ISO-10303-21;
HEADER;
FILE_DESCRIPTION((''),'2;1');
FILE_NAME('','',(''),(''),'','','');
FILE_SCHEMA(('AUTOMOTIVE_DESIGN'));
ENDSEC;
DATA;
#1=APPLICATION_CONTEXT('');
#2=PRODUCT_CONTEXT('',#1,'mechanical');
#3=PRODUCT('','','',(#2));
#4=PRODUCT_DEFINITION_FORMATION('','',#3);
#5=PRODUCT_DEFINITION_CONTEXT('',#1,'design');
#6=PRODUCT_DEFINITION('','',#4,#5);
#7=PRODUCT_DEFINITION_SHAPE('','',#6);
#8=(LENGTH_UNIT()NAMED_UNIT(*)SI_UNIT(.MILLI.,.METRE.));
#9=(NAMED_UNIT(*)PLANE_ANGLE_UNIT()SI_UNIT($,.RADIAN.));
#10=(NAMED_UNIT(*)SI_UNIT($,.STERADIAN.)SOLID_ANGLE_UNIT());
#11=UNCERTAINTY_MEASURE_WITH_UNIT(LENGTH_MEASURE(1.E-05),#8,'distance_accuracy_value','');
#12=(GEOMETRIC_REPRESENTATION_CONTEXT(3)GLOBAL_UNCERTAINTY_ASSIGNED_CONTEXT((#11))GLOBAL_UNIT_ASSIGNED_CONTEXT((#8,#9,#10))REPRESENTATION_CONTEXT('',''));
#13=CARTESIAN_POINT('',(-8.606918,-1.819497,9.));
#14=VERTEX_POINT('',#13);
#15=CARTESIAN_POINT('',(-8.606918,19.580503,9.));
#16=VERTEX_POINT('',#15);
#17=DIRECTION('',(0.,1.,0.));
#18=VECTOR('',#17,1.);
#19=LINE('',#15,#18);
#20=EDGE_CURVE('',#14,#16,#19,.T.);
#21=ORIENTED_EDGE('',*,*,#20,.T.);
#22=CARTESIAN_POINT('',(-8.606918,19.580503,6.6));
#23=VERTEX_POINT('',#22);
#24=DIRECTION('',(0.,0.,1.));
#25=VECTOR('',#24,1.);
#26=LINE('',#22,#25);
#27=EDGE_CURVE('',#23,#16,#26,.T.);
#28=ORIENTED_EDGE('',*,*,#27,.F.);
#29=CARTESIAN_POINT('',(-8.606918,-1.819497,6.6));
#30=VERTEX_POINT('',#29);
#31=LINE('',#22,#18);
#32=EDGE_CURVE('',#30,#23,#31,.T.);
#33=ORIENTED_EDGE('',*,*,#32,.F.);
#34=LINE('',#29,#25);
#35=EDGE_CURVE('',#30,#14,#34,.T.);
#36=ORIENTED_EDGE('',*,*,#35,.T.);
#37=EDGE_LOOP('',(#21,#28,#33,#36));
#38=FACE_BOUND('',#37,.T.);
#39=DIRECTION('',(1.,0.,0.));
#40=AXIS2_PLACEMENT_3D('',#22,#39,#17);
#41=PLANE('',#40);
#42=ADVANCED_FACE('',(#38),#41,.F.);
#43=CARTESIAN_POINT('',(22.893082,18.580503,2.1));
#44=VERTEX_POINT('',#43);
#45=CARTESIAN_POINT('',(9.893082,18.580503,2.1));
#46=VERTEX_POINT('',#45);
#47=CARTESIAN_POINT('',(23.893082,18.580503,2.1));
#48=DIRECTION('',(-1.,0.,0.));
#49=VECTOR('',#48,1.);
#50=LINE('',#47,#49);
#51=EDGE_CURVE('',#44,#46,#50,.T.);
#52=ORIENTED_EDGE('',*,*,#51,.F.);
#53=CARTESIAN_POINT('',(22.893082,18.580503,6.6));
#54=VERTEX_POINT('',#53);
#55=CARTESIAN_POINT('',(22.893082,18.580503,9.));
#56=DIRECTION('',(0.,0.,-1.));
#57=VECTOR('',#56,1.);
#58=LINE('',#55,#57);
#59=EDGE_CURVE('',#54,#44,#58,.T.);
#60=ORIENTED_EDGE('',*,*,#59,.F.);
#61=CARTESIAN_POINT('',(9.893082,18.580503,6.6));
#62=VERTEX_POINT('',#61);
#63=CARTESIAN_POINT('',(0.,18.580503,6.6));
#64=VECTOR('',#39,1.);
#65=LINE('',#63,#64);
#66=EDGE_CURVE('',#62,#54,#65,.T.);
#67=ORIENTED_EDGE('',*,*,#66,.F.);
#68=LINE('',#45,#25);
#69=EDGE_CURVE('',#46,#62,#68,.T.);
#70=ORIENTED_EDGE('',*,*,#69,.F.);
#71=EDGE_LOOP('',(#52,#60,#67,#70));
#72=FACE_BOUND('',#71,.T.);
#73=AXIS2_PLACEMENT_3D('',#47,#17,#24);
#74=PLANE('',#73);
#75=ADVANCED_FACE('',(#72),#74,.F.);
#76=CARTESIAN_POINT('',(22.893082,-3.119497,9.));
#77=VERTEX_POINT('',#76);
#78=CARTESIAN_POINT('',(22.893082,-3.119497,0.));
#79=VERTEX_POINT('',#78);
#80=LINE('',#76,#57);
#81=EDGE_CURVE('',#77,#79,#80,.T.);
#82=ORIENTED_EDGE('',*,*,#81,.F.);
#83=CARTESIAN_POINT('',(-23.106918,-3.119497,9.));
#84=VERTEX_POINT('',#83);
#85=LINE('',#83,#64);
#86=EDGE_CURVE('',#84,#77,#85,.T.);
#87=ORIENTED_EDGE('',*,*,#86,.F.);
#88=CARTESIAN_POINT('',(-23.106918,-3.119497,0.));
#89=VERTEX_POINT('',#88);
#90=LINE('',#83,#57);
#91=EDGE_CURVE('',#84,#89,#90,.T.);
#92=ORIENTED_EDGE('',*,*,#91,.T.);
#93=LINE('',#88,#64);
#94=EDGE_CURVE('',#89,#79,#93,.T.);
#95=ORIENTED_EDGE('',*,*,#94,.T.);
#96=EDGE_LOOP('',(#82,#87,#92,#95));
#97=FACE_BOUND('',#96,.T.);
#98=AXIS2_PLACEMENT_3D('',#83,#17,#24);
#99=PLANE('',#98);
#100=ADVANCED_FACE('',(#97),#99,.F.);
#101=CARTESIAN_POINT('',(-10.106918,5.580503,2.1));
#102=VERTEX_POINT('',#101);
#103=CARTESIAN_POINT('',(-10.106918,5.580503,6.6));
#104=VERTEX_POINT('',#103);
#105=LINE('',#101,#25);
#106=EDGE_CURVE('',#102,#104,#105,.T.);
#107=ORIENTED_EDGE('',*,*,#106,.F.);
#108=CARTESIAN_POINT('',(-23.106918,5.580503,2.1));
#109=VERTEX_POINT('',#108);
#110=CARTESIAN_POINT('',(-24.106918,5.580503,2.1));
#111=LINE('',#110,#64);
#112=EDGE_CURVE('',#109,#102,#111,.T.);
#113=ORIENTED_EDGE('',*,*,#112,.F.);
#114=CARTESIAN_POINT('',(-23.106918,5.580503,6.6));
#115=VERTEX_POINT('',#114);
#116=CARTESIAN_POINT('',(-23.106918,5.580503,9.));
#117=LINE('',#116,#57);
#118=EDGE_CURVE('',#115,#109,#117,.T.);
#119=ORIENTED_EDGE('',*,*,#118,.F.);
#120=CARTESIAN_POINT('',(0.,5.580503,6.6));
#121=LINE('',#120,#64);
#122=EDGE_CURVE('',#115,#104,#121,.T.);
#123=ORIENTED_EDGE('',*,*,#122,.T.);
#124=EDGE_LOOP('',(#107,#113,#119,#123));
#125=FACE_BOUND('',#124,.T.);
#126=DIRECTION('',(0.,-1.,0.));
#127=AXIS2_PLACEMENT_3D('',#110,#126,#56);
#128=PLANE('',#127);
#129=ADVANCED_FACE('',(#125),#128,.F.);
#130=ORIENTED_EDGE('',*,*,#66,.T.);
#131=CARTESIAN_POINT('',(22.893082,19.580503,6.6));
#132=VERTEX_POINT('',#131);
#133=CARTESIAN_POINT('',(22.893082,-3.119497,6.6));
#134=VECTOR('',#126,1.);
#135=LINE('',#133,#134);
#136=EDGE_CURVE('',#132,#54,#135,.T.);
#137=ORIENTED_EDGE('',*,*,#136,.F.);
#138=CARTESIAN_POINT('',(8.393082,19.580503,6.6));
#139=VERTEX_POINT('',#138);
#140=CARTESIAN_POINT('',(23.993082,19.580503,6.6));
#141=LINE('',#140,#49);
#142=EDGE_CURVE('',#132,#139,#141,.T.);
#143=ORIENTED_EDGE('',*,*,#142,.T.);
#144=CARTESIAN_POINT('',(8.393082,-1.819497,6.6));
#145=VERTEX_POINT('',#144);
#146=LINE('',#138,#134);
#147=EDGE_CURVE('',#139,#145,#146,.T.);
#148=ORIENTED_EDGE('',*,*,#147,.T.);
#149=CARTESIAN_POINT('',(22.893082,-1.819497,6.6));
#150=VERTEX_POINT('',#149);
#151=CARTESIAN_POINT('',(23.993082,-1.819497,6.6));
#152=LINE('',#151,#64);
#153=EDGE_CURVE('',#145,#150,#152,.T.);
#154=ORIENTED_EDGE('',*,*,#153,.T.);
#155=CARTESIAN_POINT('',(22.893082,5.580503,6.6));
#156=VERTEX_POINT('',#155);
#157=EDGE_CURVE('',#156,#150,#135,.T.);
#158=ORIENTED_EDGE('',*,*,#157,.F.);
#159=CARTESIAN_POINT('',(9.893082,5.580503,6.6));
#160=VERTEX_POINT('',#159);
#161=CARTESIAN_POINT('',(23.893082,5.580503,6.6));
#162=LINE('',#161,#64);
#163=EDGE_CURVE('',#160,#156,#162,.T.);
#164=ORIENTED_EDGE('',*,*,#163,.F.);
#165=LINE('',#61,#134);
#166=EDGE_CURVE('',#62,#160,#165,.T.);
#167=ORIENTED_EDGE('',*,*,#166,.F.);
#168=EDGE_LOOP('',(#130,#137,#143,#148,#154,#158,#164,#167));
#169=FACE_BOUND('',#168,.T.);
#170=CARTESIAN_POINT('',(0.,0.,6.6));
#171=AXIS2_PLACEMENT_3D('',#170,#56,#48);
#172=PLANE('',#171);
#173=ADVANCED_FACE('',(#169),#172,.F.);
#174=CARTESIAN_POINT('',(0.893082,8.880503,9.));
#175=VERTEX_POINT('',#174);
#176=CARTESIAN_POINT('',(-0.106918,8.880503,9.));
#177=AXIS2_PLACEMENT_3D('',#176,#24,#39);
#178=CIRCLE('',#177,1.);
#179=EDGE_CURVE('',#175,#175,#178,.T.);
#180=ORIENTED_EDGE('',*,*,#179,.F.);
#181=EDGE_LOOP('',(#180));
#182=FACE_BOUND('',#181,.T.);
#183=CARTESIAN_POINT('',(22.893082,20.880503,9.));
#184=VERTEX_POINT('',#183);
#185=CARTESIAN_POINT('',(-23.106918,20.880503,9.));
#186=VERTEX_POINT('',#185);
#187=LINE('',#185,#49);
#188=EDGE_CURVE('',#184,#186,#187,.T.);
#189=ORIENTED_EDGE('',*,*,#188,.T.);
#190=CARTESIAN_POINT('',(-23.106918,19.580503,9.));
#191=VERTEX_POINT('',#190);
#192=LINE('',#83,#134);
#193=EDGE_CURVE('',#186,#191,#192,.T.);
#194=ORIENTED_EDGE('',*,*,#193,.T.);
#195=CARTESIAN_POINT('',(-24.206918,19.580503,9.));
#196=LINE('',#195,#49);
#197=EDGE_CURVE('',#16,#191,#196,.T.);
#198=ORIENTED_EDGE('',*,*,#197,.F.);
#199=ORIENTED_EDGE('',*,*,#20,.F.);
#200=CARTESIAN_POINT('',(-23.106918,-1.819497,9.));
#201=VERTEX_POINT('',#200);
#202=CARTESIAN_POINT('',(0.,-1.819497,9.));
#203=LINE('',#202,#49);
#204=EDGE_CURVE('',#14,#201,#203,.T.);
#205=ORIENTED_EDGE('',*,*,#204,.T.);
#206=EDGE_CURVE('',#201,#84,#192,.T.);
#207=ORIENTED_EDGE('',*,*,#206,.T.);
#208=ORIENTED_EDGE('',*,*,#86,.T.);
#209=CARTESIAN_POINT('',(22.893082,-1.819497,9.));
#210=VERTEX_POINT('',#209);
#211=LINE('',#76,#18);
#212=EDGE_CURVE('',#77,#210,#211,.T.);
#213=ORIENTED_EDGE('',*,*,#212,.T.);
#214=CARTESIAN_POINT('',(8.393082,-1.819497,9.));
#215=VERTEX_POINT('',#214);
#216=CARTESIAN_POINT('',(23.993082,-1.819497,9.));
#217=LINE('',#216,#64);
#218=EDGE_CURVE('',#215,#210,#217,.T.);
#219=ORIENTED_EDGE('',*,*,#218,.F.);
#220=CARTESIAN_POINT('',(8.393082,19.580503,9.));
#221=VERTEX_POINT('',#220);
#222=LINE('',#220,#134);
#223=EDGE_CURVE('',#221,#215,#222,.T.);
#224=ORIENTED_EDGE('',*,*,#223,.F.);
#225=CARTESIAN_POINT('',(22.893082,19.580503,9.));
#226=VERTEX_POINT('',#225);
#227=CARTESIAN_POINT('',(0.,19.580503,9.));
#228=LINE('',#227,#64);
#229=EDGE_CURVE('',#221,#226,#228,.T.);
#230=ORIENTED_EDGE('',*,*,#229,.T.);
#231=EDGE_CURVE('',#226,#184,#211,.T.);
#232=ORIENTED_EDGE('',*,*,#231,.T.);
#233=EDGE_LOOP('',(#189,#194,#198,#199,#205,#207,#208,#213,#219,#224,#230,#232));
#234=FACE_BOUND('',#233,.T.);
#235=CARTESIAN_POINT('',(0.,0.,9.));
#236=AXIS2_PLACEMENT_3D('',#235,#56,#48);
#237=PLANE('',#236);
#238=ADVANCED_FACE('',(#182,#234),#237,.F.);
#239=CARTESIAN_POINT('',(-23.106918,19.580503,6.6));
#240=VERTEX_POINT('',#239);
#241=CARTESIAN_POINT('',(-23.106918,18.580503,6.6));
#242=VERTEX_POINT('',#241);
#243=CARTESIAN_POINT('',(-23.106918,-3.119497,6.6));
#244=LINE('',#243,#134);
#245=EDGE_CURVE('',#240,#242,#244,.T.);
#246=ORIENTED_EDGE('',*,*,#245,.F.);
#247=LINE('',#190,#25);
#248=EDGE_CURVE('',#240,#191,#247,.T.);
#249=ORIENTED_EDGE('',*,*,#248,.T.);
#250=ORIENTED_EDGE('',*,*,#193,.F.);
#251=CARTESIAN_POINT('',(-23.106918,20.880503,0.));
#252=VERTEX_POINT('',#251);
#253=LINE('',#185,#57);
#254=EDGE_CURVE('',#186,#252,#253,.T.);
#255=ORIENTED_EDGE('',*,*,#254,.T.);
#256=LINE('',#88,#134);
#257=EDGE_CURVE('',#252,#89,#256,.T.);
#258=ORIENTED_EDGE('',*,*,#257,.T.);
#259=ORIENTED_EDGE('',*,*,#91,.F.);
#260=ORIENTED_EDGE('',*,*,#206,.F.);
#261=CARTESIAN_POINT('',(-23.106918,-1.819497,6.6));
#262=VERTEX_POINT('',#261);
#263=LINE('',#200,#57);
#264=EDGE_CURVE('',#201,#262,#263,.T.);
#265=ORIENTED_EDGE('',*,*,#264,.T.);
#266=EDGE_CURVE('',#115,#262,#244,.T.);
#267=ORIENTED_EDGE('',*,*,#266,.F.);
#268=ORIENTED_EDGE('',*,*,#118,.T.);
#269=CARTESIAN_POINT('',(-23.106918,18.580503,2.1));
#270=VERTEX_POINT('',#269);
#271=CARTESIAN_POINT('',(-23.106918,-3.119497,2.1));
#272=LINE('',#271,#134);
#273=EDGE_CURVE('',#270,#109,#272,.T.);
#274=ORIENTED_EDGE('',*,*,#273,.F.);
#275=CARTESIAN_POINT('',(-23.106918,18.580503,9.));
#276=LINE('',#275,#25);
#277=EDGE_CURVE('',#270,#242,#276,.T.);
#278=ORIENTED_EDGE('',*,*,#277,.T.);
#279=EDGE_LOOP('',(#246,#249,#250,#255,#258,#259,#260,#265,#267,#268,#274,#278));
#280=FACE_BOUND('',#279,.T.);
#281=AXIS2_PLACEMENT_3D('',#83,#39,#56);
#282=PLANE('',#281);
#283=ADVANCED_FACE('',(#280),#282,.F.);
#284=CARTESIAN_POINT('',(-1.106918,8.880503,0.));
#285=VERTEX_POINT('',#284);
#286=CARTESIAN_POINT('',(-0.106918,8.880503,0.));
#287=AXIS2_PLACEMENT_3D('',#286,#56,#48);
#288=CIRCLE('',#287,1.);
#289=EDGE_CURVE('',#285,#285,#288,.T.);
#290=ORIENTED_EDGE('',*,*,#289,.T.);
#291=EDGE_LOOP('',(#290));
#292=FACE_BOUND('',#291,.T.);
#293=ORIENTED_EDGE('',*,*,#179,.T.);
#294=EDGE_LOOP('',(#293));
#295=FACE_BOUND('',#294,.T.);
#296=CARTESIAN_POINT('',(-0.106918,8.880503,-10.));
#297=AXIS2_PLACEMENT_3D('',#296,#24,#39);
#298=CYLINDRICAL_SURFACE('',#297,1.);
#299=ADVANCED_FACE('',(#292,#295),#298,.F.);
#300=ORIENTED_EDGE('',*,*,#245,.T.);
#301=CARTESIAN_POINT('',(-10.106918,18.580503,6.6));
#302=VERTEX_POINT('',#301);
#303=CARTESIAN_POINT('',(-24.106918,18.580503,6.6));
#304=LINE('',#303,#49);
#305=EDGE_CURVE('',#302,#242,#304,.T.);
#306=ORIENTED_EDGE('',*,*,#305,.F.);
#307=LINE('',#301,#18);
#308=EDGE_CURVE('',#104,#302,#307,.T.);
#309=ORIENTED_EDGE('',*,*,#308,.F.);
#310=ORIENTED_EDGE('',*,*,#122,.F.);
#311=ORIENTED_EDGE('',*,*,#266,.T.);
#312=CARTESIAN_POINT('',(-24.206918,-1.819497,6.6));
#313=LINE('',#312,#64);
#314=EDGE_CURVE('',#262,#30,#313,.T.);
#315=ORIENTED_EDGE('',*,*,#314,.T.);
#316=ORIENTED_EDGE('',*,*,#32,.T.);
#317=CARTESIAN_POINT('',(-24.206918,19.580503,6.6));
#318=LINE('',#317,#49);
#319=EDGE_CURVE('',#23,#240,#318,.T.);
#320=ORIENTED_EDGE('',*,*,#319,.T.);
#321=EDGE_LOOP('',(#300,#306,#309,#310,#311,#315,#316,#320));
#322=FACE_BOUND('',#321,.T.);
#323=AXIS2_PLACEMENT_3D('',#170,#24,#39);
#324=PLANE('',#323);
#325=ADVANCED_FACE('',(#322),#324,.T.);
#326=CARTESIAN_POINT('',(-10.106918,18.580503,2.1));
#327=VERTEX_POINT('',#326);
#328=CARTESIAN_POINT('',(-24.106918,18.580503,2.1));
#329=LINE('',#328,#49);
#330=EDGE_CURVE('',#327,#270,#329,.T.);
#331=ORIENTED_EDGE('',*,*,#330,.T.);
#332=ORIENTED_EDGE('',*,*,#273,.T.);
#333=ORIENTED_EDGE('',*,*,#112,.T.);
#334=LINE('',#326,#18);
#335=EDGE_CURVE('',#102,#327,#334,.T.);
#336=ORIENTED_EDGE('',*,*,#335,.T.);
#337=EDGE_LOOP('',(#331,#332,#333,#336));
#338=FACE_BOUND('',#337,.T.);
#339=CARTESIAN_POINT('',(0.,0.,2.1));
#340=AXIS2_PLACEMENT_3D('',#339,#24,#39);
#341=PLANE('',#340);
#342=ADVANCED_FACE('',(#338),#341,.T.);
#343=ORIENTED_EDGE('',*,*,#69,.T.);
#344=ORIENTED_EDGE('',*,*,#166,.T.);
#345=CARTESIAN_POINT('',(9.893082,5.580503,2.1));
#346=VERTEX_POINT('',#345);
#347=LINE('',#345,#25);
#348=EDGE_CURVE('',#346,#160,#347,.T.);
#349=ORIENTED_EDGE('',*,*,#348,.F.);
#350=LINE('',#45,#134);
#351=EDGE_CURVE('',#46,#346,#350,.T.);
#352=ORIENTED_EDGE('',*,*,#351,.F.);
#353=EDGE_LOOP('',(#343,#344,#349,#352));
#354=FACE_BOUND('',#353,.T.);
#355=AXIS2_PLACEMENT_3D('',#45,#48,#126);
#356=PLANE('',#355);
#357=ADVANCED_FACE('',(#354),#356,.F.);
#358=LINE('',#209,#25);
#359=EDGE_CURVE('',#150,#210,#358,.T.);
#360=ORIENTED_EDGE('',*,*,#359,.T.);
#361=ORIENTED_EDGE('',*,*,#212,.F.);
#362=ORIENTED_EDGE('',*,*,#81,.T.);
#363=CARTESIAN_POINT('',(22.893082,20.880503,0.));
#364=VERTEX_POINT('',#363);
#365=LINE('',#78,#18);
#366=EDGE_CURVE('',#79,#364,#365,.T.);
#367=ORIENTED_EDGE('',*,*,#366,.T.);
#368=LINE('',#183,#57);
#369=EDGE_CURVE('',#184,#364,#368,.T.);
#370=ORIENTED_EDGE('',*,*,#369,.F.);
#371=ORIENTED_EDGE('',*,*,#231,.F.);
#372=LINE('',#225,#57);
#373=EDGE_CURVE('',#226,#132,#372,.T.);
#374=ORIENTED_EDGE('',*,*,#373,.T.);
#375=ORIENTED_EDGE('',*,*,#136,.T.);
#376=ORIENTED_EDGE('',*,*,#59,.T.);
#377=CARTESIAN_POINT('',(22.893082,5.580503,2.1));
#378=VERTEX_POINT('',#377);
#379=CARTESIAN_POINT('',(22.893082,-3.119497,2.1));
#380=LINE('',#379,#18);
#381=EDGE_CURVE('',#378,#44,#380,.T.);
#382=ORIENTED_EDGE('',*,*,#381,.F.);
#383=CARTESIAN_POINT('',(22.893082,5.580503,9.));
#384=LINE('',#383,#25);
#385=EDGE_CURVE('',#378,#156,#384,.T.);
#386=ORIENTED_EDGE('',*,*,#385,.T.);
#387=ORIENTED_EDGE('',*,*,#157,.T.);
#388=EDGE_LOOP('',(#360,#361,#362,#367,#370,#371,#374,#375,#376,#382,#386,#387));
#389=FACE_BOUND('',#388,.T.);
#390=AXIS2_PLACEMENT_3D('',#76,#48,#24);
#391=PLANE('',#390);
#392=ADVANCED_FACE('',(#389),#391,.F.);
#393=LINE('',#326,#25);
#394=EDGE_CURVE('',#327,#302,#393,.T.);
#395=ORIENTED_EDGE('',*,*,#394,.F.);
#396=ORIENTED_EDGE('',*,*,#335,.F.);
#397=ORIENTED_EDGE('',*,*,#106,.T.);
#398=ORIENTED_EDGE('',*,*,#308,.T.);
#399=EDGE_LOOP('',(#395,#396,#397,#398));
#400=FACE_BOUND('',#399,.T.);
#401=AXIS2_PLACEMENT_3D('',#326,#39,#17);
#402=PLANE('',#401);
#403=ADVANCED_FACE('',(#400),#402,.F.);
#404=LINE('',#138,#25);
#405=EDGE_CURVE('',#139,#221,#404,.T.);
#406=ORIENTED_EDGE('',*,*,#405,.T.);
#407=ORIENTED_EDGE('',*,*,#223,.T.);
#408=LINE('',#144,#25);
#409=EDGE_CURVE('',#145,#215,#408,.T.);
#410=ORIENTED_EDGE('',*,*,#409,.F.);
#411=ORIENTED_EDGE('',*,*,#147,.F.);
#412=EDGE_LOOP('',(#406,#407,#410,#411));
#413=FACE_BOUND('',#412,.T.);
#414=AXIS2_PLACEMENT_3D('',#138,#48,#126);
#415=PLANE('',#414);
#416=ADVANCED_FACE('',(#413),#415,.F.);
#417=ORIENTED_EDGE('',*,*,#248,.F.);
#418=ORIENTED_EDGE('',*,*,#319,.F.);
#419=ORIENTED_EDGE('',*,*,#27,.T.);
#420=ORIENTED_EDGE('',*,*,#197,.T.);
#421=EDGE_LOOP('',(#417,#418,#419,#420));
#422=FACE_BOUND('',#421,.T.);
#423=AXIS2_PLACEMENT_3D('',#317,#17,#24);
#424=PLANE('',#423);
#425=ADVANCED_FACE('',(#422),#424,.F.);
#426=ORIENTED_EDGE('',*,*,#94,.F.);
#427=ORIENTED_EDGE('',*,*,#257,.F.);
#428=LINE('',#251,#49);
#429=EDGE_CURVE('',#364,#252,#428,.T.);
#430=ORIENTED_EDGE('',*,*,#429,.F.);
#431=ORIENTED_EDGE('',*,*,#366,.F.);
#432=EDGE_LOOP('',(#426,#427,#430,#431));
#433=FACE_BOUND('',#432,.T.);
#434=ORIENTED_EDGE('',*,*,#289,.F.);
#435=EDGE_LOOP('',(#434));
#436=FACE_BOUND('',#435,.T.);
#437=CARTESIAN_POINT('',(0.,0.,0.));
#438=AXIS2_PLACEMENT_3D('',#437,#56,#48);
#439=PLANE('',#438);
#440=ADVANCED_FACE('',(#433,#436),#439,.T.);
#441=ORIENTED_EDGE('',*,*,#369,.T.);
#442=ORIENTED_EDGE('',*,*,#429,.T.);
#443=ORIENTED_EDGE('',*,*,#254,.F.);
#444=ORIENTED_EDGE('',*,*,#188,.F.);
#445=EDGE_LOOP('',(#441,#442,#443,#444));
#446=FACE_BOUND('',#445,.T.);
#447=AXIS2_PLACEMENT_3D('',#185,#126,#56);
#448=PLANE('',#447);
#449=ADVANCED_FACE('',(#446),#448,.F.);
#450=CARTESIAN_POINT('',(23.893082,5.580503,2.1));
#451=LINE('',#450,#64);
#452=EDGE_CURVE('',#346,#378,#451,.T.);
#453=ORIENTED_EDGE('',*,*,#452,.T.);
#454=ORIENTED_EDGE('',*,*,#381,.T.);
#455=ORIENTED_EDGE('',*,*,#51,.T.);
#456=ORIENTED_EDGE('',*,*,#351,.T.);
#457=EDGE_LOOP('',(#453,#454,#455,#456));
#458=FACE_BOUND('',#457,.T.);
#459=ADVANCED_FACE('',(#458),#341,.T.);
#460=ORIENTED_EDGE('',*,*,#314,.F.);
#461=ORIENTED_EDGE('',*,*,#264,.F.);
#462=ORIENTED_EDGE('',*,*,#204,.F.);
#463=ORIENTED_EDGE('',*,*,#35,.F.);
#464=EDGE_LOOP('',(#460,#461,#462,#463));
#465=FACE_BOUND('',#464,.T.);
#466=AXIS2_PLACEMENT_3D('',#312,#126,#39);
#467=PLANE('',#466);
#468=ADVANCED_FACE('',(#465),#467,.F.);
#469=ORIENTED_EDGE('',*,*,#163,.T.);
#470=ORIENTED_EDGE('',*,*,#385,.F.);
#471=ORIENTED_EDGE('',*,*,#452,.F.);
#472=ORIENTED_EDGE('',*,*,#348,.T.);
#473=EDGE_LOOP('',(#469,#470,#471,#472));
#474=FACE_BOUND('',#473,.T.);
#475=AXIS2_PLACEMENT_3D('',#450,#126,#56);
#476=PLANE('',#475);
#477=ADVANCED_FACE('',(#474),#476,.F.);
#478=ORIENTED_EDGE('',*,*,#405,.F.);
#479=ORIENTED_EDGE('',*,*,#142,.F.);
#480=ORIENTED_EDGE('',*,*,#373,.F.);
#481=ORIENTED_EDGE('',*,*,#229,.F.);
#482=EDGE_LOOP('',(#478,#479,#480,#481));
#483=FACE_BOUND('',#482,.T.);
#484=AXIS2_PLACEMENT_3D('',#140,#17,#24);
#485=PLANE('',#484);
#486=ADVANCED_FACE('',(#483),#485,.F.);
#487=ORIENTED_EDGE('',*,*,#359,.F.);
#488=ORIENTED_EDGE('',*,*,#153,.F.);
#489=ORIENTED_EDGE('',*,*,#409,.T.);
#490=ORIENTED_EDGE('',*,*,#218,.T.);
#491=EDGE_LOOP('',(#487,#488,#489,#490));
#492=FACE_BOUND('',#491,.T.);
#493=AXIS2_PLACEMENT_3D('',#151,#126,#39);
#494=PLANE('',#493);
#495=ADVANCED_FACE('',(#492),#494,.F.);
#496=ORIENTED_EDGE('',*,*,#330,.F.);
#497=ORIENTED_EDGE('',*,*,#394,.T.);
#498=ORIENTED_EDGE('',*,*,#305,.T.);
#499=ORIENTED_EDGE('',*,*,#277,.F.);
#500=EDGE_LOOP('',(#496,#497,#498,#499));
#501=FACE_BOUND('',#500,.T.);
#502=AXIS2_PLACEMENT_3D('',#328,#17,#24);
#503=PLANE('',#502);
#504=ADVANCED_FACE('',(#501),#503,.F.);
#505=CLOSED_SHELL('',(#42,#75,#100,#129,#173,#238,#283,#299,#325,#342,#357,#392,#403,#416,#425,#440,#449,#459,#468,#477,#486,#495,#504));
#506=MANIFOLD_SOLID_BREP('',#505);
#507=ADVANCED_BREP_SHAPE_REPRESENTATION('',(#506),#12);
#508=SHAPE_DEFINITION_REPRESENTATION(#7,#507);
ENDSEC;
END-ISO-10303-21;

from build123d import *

# Parameters (mm, degrees)
ESQUISSE1_W             = 46
ESQUISSE1_H             = 24
BOSS_EXTRU_1_DEPTH      = 9
ESQUISSE2_R             = 1
ENL_V_MAT_EXTRU_1_DEPTH = 19
ESQUISSE3_W             = 15.6
ESQUISSE3_H             = 21.4
ENL_V_MAT_EXTRU_2_DEPTH = 2.4
ESQUISSE4_W             = 14
ESQUISSE4_H             = 13
ENL_V_MAT_EXTRU_3_DEPTH = 4.5


with BuildPart() as part:
    # Esquisse1 → Boss.-Extru.1 (new body)
    with BuildSketch(Plane.XY):
        with Locations((-0.106918239, 8.880503145)):
            Rectangle(ESQUISSE1_W, ESQUISSE1_H)
    extrude(amount=BOSS_EXTRU_1_DEPTH)

    # Esquisse2 → Enlèv. mat.-Extru.1 (cut)
    with BuildSketch(Plane.XY.offset(9)):
        with Locations((-0.106918239, 8.880503145)):
            Circle(ESQUISSE2_R)
    extrude(amount=-ENL_V_MAT_EXTRU_1_DEPTH, mode=Mode.SUBTRACT)

    # Esquisse3 → Enlèv. mat.-Extru.2 (cut)
    with BuildSketch(Plane.XY.offset(9)):
        with Locations((-16.406918239, 8.880503145)):
            Rectangle(ESQUISSE3_W, ESQUISSE3_H)
        with Locations((16.193081761, 8.880503145)):
            Rectangle(ESQUISSE3_W, ESQUISSE3_H)
    extrude(amount=-ENL_V_MAT_EXTRU_2_DEPTH, mode=Mode.SUBTRACT)

    # Esquisse4 → Enlèv. mat.-Extru.3 (cut)
    with BuildSketch(Plane.XY.offset(6.6)):
        with Locations((-17.106918239, 12.080503145)):
            Rectangle(ESQUISSE4_W, ESQUISSE4_H)
        with Locations((16.893081761, 12.080503145)):
            Rectangle(ESQUISSE4_W, ESQUISSE4_H)
    extrude(amount=-ENL_V_MAT_EXTRU_3_DEPTH, mode=Mode.SUBTRACT)


solid = part.part
